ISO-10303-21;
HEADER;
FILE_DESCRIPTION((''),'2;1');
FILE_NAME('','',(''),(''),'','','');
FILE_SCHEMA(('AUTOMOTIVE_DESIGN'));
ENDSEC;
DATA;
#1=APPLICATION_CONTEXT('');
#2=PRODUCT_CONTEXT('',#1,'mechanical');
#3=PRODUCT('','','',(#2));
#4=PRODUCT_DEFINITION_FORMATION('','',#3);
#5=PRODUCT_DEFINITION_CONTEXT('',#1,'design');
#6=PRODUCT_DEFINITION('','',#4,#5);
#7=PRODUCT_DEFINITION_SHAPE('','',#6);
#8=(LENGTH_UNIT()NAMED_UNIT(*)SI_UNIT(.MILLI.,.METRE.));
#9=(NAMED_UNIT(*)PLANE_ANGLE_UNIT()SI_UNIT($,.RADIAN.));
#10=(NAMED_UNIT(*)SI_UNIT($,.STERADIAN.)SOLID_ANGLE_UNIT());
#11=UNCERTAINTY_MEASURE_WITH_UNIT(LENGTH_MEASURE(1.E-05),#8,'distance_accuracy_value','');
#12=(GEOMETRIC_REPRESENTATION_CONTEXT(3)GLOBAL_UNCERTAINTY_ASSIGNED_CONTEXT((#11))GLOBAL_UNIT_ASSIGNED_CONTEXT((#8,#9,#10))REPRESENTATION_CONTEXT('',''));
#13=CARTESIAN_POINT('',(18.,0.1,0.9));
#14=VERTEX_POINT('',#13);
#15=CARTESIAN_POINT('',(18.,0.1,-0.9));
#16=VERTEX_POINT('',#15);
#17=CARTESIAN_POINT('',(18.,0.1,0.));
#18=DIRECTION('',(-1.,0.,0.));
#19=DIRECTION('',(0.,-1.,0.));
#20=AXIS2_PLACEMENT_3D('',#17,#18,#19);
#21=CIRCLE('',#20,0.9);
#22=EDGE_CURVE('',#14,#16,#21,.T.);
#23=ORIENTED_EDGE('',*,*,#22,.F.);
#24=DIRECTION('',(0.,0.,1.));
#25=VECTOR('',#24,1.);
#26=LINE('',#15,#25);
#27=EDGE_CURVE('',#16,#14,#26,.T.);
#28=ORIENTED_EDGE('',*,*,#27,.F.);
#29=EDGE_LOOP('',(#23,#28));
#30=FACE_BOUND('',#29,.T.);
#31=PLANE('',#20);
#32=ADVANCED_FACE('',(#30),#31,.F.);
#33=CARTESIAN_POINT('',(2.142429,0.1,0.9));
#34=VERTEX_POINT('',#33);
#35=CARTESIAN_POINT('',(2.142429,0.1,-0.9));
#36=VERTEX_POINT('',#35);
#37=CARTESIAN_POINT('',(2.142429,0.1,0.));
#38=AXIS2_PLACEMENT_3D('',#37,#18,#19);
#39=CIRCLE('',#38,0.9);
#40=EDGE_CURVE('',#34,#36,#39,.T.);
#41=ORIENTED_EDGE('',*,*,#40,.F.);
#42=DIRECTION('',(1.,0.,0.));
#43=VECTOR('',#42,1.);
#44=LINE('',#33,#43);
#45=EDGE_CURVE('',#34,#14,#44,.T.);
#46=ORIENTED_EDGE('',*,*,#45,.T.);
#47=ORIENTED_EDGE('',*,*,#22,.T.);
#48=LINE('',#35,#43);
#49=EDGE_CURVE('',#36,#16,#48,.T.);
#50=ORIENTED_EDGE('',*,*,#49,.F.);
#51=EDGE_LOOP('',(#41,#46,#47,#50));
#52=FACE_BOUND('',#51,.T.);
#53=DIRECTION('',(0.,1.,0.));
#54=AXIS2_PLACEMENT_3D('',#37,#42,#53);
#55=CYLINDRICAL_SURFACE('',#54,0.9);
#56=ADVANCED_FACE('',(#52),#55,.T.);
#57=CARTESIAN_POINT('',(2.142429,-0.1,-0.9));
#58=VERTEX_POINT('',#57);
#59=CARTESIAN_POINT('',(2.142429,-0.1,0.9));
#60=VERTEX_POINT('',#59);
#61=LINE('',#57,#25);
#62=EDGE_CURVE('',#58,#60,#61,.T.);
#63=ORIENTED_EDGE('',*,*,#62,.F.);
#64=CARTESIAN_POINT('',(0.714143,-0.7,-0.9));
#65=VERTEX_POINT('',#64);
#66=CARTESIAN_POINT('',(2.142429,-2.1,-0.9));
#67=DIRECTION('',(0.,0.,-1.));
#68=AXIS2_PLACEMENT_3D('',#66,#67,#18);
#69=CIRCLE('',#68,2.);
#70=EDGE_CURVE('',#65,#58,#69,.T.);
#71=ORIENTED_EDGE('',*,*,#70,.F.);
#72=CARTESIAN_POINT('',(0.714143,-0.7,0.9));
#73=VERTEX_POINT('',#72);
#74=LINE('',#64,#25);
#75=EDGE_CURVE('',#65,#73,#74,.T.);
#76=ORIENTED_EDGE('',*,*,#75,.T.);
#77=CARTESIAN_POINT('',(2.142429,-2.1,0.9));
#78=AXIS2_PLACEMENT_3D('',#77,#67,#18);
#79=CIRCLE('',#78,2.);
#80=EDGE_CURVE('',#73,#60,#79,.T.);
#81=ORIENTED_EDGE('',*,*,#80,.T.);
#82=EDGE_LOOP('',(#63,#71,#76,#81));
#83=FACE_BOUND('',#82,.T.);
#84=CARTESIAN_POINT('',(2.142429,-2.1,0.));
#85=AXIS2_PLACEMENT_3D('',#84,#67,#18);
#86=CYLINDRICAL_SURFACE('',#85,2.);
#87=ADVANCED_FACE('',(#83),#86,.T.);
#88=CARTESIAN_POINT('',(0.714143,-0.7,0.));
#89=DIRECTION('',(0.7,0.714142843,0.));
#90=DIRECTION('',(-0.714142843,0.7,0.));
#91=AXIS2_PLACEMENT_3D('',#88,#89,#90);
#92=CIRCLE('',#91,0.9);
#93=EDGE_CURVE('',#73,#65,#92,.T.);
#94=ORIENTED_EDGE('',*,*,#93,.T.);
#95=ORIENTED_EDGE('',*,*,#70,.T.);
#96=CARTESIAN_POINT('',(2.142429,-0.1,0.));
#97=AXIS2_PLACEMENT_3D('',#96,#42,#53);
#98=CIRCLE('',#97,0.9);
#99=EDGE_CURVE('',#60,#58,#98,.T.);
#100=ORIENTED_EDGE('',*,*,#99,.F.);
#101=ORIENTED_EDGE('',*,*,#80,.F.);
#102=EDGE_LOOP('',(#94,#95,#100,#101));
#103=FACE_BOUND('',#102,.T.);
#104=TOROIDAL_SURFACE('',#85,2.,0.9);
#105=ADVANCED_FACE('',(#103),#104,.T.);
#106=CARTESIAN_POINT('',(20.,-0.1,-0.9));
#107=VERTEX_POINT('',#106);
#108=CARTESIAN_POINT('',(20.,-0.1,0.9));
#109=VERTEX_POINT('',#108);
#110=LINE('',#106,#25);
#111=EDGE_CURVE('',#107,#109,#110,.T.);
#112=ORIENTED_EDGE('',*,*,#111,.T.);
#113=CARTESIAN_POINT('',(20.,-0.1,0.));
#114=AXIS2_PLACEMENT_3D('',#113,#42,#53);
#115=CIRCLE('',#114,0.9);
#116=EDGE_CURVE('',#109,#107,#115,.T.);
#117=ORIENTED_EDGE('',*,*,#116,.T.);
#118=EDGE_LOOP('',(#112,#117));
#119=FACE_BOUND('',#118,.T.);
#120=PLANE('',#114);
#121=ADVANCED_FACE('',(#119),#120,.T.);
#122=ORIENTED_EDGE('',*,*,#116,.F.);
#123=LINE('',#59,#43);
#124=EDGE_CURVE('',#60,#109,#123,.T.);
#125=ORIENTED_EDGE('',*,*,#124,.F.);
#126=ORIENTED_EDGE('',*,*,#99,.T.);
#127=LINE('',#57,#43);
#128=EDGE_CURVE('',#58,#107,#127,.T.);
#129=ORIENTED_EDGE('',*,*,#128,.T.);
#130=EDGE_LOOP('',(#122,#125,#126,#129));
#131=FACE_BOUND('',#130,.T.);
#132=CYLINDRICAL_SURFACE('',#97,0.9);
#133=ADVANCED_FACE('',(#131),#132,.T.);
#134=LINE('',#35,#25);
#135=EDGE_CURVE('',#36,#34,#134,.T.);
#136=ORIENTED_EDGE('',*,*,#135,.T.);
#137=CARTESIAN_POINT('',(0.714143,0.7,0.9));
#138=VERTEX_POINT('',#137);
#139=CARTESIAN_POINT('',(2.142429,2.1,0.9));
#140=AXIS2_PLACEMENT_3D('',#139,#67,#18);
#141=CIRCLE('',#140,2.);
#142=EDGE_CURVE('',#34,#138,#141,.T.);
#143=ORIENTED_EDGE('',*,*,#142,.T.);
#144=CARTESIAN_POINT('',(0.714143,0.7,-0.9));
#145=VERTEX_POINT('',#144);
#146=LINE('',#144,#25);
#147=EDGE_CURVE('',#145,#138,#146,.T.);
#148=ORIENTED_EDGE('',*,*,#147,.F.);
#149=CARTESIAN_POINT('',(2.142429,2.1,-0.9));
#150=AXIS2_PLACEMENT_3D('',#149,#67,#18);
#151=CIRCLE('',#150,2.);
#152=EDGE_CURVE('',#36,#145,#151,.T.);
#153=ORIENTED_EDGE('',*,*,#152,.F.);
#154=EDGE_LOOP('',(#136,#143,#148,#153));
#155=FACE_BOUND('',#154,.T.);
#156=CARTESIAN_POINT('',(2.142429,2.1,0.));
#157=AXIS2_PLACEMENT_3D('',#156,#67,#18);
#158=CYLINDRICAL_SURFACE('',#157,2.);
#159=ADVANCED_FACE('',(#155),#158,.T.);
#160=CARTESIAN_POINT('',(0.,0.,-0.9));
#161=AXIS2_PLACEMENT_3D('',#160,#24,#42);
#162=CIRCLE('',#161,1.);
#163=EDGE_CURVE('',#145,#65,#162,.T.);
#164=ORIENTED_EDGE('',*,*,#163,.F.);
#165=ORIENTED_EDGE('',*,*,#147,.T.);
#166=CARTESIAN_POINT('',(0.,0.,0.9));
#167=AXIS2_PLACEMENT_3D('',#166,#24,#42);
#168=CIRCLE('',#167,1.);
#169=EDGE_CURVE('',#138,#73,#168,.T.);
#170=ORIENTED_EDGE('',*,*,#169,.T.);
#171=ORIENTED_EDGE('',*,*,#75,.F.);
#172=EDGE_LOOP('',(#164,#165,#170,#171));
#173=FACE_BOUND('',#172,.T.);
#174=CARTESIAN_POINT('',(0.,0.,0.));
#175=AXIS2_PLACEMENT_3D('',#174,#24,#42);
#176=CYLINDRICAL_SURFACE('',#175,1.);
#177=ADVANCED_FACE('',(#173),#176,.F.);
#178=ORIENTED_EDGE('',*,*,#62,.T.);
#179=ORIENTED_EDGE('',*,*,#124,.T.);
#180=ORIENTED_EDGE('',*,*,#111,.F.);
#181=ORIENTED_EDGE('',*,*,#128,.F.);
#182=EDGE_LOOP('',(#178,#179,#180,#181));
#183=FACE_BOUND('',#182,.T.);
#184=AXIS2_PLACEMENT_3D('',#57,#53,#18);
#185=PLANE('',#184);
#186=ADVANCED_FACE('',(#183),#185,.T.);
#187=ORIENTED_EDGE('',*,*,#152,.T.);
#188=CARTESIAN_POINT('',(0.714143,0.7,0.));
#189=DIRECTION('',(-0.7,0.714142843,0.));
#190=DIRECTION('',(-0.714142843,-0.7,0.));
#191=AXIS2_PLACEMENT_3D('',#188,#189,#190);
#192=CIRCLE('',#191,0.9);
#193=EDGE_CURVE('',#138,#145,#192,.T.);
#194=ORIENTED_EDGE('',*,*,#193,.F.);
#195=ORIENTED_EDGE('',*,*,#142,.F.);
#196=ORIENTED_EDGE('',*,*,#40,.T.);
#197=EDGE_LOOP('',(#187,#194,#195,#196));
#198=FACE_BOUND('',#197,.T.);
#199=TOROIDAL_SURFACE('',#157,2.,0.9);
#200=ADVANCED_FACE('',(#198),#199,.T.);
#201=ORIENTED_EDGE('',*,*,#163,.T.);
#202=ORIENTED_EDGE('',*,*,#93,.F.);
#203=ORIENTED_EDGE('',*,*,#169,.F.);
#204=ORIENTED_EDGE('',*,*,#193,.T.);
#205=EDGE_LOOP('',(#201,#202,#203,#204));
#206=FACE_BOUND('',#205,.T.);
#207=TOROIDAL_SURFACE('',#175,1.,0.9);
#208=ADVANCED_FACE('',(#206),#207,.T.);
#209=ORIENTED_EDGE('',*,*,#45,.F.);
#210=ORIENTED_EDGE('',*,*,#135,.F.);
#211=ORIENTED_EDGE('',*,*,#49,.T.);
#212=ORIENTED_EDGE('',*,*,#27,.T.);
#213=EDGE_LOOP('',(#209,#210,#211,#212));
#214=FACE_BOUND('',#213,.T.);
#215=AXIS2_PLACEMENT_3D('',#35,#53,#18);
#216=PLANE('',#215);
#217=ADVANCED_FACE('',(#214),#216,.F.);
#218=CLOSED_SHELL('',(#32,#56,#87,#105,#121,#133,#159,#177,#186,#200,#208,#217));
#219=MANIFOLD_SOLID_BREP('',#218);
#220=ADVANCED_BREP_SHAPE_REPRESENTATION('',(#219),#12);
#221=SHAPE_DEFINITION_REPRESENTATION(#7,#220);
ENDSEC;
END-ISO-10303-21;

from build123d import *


with BuildPart() as part:
    # 掃出1: sweep along a path in 草圖1
    with BuildLine(Plane.XY) as sweep_1_path:
        Line((18, 0.1), (2.142428529, 0.1))
        ThreePointArc((2.142428529, 0.1), (1.367831859, 0.256091109), (0.714142843, 0.7))
        ThreePointArc((0.714142843, 0.7), (-1, 0), (0.714142843, -0.7))
        ThreePointArc((0.714142843, -0.7), (1.367831859, -0.256091109), (2.142428529, -0.1))
        Line((2.142428529, -0.1), (20, -0.1))
    # 草圖2 → 掃出1 (sweep)
    with BuildSketch(Plane(origin=(18, 0.1, 0), x_dir=(0, 0, 1), z_dir=(-1, 0, 0))):
        with BuildLine():
            Line((-0.9, 0), (0.9, 0))
            ThreePointArc((0.9, 0), (0, 0.9), (-0.9, 0))
        make_face()
    sweep(path=sweep_1_path.line)


solid = part.part
